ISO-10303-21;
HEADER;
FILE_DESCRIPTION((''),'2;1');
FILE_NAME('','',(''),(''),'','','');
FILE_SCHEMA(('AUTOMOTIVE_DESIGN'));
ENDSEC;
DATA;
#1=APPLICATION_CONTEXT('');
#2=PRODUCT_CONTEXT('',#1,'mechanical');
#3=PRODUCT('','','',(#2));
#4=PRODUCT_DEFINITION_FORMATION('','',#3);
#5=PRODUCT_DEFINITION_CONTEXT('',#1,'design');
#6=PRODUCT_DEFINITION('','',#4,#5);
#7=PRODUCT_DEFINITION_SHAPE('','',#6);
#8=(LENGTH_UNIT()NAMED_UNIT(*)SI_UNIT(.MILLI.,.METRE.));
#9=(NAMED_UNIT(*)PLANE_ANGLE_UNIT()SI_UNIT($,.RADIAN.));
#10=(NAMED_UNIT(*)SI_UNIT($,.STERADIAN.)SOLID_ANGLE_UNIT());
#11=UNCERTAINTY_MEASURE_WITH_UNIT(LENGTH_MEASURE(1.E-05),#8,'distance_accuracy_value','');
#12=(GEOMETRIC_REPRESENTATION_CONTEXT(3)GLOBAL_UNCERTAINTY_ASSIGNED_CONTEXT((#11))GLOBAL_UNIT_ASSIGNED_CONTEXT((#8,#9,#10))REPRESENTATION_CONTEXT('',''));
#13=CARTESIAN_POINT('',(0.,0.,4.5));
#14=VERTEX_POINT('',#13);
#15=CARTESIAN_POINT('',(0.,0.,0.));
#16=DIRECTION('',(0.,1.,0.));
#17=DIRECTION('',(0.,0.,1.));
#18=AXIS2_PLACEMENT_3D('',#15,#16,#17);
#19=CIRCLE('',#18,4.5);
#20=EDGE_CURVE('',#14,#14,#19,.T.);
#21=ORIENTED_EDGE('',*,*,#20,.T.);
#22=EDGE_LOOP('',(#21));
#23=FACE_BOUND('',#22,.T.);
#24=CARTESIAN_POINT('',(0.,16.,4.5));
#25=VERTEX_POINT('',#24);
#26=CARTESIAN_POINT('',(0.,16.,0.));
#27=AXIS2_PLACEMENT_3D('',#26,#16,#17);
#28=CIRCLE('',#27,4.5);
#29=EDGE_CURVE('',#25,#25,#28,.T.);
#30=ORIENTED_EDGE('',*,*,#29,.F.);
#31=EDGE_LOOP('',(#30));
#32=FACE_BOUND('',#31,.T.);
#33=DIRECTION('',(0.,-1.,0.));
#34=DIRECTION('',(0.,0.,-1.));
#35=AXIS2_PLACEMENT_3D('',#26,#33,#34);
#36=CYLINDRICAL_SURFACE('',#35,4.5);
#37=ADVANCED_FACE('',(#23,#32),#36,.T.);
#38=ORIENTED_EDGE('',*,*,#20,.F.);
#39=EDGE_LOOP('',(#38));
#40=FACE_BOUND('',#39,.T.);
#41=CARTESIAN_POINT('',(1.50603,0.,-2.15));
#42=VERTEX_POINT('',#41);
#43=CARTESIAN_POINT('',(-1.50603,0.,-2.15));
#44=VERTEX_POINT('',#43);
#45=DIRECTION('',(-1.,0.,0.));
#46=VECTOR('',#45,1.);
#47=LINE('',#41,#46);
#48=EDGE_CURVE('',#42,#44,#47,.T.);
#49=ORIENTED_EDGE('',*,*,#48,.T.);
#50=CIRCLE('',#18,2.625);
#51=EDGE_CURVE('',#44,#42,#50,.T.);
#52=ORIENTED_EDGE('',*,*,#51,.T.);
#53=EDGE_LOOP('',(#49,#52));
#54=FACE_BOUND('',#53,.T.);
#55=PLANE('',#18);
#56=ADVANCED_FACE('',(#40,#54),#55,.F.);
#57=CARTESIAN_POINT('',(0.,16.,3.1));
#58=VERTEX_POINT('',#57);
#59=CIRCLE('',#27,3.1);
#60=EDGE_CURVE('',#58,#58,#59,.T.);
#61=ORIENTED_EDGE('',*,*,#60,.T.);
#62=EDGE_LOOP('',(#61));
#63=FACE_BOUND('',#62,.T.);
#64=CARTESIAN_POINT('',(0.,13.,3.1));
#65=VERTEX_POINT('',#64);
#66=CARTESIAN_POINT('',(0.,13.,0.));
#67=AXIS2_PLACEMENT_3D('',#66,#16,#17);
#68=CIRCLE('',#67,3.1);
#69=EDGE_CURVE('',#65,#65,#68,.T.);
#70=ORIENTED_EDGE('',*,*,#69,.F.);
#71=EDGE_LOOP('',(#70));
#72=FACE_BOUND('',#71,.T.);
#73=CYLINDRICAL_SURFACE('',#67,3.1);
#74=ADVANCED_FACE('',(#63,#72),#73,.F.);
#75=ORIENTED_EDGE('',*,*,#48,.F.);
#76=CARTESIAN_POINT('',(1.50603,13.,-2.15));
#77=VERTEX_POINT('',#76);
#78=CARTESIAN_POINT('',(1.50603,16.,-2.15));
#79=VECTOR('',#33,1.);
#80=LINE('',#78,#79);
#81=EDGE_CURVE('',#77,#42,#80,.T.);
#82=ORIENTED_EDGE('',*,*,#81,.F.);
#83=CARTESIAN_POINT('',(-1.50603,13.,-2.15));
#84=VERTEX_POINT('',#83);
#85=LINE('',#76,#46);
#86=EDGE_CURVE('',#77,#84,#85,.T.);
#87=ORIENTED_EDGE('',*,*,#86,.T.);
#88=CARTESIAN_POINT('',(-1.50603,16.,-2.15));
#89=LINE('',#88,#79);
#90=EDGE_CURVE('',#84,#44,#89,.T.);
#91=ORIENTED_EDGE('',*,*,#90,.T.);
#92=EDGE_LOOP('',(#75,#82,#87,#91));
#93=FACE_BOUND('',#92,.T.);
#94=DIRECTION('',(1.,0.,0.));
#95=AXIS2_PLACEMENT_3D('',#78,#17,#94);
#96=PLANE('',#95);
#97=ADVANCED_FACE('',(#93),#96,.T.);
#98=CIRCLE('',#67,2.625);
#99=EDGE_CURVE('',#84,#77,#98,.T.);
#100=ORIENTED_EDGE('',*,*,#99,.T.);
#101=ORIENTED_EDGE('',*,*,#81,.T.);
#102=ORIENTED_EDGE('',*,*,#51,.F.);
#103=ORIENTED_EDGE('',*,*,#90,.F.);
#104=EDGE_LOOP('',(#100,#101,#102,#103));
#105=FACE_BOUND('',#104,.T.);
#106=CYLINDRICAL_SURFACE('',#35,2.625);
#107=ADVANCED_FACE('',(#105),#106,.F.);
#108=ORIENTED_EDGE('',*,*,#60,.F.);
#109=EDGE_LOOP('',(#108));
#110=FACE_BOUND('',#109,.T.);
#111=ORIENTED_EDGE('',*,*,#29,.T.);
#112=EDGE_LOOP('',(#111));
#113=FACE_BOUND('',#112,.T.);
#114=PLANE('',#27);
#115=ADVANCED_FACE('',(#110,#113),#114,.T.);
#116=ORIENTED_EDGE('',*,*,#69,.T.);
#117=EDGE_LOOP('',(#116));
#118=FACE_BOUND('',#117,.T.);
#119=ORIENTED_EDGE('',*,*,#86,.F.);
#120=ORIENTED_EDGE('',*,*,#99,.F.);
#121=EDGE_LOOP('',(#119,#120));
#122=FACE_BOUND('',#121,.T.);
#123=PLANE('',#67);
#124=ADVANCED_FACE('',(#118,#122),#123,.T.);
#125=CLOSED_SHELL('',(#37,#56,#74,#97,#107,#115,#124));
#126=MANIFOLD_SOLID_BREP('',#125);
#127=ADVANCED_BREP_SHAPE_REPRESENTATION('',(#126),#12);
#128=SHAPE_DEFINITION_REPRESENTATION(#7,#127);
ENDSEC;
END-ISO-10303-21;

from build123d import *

# Parameters (mm, degrees)
SKETCH1_R           = 4.5
BOSS_EXTRUDE1_DEPTH = 16
SKETCH2_R           = 3.1
CUT_EXTRUDE1_DEPTH  = 3


with BuildPart() as part:
    # Sketch1 → Boss-Extrude1 (new body)
    with BuildSketch(Plane(origin=(0, 0, 0), x_dir=(1, 0, 0), z_dir=(0, 1, 0))):
        with Locations(Location((0, 0, 0), (0, 0, 270))):
            Circle(SKETCH1_R)
        with BuildLine():
            Line((1.506029548, 2.15), (-1.506029548, 2.15))
            ThreePointArc((-1.506029548, 2.15), (0, -2.625), (1.506029548, 2.15))
        make_face(mode=Mode.SUBTRACT)
    extrude(amount=BOSS_EXTRUDE1_DEPTH)

    # Sketch2 → Cut-Extrude1 (cut)
    with BuildSketch(Plane(origin=(0, 16, 0), x_dir=(1, 0, 0), z_dir=(0, 1, 0))):
        with Locations(Location((0, 0, 0), (0, 0, 270))):
            Circle(SKETCH2_R)
    extrude(amount=-CUT_EXTRUDE1_DEPTH, mode=Mode.SUBTRACT)


solid = part.part
